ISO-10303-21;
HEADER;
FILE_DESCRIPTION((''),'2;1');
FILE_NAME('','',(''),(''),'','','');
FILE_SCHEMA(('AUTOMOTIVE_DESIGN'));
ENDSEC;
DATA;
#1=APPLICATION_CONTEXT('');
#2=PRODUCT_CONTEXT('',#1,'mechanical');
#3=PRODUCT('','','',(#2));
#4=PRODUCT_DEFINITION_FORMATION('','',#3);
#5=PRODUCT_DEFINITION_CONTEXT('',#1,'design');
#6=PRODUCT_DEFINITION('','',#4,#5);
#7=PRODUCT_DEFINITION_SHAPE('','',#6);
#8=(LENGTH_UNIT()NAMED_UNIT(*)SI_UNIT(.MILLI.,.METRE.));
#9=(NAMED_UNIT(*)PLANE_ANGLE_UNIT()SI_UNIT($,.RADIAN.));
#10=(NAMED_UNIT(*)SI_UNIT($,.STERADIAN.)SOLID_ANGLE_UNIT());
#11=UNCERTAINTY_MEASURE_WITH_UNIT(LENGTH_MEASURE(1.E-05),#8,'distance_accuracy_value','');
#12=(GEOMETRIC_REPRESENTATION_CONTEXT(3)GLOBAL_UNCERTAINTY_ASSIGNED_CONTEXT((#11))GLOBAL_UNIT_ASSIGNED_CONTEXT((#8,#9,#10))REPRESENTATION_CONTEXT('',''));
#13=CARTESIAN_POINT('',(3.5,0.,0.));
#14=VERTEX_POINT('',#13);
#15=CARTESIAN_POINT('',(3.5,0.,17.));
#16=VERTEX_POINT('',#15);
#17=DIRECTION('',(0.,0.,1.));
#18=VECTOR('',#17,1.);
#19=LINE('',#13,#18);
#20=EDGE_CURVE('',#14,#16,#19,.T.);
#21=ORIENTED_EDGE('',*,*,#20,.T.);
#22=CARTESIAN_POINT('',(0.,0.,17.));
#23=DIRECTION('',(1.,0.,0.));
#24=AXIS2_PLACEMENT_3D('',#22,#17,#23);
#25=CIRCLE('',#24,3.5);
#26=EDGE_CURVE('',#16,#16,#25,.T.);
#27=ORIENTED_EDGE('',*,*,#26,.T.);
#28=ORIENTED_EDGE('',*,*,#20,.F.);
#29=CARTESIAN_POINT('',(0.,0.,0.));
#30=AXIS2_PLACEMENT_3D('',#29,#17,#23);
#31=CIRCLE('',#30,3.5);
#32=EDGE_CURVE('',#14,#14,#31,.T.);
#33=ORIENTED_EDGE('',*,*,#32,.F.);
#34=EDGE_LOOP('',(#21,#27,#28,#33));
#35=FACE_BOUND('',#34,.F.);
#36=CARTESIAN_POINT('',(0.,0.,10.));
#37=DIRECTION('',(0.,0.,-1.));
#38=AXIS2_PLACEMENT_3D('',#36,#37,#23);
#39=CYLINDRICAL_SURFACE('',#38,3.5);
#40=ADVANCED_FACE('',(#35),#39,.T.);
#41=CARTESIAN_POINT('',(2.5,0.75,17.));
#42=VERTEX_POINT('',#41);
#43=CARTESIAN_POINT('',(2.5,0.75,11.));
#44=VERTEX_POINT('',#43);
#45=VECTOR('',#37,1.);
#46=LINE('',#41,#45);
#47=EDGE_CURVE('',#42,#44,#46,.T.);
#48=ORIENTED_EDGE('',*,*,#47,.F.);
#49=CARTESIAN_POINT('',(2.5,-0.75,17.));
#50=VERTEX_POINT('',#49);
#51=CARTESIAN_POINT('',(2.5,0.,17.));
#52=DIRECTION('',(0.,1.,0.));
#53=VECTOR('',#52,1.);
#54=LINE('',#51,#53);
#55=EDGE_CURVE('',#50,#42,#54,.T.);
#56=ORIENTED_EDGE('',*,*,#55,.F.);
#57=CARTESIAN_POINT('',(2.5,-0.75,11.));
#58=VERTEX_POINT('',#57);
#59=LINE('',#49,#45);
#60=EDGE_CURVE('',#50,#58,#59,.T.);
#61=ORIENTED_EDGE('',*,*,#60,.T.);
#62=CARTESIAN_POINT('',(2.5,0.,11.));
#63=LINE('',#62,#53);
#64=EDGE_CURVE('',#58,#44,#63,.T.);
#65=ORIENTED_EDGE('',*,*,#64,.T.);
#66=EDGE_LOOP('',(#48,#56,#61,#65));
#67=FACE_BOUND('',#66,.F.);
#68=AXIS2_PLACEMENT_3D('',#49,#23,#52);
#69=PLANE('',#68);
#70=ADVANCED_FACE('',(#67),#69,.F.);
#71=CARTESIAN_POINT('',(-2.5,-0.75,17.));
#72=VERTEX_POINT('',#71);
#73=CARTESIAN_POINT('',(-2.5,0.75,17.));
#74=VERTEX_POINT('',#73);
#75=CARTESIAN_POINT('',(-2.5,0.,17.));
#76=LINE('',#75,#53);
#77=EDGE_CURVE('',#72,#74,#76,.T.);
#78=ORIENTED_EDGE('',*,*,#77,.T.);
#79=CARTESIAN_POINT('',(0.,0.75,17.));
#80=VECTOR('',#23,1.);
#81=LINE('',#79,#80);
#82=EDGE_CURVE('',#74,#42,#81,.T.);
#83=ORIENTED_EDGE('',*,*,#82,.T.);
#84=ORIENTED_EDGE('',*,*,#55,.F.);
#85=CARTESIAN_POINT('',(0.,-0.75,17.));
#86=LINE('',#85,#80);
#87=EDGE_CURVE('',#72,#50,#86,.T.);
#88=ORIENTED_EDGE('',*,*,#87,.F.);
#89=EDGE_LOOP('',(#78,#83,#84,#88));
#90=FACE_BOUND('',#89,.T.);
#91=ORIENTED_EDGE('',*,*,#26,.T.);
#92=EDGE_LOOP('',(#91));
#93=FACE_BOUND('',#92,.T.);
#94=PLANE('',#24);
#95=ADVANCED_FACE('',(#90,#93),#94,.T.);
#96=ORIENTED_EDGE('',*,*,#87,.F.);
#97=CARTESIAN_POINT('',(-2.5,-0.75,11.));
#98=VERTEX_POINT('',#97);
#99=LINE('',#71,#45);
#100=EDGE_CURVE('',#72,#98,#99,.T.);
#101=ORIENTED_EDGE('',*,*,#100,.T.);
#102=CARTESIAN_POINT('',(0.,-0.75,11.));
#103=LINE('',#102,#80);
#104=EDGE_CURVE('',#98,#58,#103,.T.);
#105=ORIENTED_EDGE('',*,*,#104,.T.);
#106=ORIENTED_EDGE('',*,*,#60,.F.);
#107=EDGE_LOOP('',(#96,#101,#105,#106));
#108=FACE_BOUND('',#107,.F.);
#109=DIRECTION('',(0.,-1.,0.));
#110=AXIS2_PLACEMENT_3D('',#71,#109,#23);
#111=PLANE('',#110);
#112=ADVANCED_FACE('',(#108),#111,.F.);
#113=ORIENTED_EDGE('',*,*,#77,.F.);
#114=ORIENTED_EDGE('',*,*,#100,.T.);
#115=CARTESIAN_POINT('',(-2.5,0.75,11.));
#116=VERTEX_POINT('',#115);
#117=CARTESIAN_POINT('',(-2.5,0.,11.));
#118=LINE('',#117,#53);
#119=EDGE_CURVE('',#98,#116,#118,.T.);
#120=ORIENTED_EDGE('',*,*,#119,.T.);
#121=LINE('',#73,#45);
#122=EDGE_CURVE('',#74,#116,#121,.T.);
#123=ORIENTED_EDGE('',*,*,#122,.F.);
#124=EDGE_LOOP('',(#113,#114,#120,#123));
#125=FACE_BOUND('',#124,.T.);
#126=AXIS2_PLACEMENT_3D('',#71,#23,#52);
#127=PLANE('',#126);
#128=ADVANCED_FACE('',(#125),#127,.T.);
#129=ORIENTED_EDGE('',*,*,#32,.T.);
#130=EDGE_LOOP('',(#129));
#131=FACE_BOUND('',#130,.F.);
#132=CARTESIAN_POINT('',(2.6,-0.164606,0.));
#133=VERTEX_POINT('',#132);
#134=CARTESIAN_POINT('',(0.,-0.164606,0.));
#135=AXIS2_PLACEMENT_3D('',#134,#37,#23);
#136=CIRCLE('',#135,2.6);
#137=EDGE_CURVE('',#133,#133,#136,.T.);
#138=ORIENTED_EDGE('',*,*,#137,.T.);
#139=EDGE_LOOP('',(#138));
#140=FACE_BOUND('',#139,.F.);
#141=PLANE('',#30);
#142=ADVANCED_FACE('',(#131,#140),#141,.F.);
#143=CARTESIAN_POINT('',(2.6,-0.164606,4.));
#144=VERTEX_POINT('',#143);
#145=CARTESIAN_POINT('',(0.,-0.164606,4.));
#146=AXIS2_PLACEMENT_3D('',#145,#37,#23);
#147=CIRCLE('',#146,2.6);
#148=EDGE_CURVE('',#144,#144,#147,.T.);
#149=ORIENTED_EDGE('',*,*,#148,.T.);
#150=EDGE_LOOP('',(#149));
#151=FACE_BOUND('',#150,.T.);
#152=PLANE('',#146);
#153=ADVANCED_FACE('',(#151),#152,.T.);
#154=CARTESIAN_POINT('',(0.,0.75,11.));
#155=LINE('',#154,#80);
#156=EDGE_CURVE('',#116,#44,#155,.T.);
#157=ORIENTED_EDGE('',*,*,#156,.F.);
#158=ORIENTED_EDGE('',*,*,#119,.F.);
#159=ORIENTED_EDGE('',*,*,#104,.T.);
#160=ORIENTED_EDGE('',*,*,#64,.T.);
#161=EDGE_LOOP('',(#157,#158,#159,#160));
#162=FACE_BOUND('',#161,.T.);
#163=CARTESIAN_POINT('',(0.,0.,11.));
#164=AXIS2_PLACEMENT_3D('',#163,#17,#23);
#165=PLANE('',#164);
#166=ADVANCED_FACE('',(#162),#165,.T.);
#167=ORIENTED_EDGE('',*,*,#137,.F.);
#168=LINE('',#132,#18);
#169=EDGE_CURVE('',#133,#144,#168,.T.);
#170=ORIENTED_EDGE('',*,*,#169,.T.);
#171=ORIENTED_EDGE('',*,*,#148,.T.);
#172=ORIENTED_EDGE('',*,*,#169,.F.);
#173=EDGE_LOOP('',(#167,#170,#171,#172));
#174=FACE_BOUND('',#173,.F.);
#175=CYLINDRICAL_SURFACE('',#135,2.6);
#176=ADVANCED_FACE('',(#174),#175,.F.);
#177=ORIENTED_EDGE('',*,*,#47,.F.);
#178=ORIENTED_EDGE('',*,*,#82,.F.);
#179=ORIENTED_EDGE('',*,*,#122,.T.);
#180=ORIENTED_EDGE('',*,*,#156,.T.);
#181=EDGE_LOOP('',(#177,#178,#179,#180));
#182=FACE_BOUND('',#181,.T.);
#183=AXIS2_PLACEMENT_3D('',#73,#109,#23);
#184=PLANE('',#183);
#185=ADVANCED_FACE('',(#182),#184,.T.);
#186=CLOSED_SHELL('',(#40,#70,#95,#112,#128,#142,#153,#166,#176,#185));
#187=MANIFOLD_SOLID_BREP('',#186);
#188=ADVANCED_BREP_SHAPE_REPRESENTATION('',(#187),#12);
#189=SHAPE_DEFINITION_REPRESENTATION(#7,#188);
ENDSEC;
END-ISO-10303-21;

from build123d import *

# Parameters (mm, degrees)
F0_R     = 3.5
F1_DEPTH = 10
F2_R     = 2.6
F3_DEPTH = 4
F4_DEPTH = 7
F5_W     = 5
F5_H     = 1.5
F6_DEPTH = 6


with BuildPart() as f1:
    # F0 (on Top) → F1 (new body)
    with BuildSketch(Plane.XY):
        Circle(F0_R)
    extrude(amount=F1_DEPTH)

    # F2 (on face) → F3 (cut)
    with BuildSketch(Plane(origin=(0, 0, 0), x_dir=(1, 0, 0), z_dir=(0, 0, -1))):
        with Locations((0, 0.1646061121)):
            Circle(F2_R)
    extrude(amount=-F3_DEPTH, mode=Mode.SUBTRACT)

    # F4 (add): a face of the model
    f4_faces = [f1.faces().sort_by_distance(p)[0] for p in [
        (0, 0, 10),
    ]]
    extrude(f4_faces, amount=F4_DEPTH)

    # F5 (on face) → F6 (cut)
    with BuildSketch(Plane.XY.offset(17)):
        Rectangle(F5_W, F5_H)
    extrude(amount=-F6_DEPTH, mode=Mode.SUBTRACT)


solid = f1.part
